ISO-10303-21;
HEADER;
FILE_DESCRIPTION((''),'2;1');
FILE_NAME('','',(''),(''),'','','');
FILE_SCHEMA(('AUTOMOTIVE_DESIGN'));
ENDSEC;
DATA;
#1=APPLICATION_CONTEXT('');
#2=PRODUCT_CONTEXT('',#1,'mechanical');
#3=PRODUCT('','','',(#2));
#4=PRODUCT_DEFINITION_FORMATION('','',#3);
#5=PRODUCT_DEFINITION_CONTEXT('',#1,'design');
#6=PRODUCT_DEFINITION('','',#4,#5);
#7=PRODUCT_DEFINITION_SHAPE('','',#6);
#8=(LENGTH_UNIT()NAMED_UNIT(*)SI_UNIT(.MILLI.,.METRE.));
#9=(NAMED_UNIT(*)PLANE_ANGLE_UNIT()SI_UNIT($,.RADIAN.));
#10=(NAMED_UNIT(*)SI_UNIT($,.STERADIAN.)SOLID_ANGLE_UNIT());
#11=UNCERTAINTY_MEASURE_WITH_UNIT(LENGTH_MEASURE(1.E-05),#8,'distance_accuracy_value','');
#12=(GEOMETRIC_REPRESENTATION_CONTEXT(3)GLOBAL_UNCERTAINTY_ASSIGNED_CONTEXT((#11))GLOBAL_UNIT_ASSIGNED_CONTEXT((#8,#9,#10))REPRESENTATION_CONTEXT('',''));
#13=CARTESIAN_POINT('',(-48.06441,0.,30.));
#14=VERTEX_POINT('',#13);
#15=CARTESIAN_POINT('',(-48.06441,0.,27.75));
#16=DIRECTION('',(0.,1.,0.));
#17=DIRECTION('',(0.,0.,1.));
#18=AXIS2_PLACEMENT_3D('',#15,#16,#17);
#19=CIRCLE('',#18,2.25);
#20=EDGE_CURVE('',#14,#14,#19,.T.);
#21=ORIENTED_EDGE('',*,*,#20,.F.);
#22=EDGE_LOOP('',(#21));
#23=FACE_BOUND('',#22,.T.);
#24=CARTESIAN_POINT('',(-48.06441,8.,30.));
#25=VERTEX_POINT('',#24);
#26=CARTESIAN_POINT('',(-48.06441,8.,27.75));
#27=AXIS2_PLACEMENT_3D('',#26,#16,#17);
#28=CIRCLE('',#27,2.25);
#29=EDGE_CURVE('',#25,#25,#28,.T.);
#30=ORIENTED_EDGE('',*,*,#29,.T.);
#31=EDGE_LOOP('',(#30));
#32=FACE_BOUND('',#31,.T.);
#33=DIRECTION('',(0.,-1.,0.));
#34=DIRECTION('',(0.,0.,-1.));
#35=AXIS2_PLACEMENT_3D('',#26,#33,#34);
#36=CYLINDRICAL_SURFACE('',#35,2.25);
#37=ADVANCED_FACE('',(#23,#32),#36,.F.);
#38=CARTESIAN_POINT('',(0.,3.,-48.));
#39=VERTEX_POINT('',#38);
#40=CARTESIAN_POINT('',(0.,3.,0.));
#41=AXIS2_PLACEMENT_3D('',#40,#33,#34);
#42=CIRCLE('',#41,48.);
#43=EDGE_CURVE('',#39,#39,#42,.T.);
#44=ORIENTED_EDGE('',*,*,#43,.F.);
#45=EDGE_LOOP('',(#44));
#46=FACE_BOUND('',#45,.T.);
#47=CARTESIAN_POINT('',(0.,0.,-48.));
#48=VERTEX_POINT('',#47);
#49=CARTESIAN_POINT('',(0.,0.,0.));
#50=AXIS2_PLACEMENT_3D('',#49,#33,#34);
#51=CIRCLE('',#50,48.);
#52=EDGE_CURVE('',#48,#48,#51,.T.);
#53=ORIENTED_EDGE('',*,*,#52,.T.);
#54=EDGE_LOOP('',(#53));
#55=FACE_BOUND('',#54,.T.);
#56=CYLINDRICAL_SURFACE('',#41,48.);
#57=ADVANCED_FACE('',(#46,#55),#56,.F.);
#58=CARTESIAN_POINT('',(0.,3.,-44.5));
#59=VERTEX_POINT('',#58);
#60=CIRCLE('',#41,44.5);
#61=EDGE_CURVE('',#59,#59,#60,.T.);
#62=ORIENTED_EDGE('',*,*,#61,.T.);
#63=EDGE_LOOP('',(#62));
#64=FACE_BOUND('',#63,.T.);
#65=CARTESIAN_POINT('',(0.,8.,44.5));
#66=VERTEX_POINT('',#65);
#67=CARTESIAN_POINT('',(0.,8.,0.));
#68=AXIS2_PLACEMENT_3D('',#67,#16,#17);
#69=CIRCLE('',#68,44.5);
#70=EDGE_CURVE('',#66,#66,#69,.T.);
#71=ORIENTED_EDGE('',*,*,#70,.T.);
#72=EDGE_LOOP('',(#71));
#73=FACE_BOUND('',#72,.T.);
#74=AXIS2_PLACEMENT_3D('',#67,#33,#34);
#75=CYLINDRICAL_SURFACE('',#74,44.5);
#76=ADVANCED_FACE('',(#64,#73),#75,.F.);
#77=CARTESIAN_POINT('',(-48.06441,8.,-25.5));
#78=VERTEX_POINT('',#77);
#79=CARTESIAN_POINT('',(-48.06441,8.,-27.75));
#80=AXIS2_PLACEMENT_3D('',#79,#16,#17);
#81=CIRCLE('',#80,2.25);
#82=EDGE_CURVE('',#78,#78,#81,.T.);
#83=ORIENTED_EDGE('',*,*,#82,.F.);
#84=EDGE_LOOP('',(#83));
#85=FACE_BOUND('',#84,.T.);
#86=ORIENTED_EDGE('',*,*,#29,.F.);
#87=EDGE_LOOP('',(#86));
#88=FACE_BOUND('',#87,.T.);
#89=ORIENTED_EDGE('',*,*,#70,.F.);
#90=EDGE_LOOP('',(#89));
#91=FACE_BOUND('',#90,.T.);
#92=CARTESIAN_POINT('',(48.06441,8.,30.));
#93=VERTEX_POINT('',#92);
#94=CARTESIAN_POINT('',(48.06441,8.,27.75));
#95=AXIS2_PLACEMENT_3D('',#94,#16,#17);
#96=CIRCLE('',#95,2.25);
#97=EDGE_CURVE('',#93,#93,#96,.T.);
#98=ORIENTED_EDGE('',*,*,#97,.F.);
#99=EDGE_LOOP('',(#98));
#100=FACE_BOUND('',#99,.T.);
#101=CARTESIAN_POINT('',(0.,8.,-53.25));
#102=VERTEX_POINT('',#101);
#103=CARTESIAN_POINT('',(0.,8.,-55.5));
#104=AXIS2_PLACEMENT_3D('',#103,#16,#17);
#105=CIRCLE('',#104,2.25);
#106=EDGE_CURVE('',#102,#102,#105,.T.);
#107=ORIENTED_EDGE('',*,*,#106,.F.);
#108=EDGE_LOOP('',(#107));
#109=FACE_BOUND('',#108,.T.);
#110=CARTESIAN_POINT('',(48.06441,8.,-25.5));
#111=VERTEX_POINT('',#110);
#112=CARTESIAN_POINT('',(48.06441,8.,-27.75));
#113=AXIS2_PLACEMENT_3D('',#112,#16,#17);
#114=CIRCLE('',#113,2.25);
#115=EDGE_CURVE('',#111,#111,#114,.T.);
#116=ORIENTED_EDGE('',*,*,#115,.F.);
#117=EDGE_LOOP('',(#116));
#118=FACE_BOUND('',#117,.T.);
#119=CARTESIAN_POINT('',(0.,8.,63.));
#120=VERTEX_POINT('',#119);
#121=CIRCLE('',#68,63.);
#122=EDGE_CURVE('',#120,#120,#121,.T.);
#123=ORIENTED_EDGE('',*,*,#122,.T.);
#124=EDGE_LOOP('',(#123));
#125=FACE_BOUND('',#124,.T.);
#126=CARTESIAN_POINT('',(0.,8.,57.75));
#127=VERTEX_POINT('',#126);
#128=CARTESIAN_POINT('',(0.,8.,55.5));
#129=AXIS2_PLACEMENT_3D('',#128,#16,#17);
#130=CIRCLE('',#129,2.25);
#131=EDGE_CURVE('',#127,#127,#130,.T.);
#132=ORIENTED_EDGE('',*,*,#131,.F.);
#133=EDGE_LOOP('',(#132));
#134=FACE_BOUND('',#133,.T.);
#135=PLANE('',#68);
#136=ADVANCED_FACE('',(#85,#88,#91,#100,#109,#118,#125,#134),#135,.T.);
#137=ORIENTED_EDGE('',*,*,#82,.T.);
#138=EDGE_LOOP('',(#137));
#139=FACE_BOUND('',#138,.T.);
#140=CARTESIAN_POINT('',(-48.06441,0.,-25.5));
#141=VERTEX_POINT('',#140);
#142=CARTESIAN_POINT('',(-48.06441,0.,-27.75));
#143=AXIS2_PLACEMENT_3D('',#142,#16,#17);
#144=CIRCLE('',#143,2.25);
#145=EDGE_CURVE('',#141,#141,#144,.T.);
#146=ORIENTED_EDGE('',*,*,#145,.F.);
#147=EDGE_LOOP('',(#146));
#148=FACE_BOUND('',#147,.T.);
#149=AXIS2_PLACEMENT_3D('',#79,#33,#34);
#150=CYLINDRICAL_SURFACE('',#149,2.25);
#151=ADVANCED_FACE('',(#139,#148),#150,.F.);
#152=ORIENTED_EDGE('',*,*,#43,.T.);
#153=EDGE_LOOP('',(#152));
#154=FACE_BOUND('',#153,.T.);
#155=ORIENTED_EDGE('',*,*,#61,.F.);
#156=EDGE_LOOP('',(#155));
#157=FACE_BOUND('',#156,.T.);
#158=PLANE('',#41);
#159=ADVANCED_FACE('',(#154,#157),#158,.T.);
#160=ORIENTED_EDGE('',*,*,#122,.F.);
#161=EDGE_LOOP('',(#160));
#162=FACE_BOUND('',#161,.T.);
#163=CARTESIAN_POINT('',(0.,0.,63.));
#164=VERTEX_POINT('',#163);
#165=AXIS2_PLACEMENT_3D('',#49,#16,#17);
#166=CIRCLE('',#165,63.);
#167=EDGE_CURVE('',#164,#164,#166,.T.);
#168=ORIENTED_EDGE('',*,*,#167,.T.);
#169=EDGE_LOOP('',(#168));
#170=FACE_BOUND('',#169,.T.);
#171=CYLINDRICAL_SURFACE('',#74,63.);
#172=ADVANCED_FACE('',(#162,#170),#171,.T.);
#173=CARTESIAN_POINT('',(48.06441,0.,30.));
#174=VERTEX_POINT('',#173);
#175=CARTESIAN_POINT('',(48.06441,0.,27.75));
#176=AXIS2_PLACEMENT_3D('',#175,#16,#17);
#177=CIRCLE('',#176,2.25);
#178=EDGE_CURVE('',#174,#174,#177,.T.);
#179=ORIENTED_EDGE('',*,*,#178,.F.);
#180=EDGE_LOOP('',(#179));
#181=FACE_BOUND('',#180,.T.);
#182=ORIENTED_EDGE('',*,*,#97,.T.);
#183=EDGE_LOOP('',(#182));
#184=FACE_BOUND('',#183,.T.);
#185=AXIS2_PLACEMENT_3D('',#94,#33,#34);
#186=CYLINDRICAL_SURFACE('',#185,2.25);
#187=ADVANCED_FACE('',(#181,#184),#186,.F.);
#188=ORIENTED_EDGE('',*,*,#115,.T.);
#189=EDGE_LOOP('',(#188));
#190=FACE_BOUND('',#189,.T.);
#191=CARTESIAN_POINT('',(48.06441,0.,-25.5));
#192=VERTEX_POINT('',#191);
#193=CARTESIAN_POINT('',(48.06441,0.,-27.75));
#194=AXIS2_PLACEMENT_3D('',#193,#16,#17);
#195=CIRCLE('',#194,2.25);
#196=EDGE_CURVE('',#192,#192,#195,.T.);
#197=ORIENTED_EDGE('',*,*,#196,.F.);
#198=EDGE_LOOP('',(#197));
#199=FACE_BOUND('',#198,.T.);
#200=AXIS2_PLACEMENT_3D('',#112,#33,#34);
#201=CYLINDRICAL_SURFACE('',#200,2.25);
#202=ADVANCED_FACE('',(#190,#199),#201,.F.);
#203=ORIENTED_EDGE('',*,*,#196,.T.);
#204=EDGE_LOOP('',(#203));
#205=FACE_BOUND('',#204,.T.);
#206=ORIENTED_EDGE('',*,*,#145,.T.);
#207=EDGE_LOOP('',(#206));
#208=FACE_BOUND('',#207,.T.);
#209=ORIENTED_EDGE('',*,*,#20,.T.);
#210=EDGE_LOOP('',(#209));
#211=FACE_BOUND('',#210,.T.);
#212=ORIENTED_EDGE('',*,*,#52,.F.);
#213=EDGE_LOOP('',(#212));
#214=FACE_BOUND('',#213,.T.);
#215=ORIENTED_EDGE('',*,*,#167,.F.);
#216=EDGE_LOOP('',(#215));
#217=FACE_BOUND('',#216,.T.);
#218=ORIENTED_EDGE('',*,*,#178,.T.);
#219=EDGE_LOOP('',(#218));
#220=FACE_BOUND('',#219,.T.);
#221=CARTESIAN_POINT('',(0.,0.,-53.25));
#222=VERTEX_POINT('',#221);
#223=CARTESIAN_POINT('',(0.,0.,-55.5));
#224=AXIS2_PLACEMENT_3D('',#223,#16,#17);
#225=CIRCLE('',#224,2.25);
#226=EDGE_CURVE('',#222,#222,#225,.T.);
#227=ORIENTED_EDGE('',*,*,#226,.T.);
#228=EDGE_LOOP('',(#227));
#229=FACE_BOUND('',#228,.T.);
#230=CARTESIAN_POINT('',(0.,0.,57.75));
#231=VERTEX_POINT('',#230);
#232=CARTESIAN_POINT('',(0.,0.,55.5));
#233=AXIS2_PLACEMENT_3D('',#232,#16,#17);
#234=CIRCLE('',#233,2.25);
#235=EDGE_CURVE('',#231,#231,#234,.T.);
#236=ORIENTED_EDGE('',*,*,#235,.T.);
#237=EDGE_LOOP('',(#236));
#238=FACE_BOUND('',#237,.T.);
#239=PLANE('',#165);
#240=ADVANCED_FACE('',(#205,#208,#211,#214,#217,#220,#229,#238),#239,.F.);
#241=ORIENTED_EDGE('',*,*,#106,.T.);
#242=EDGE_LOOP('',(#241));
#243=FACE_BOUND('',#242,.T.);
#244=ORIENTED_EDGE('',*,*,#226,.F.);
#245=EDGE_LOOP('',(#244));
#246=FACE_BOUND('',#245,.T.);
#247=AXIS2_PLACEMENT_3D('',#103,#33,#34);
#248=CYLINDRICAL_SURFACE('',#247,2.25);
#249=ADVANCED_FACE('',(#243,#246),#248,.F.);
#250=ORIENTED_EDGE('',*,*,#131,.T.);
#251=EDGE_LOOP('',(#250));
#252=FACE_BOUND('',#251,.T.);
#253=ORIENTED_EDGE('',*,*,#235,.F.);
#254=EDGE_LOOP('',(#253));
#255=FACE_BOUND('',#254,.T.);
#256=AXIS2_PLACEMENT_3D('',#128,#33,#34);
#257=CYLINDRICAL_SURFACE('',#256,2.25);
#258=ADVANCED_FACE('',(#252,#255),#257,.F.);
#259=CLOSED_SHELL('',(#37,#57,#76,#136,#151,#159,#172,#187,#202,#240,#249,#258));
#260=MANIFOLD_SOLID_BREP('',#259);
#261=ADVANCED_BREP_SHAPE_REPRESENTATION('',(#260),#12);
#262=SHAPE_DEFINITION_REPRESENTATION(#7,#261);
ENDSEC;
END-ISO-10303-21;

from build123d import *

# Parameters (mm, degrees)
CROQUIS1_R              = 63
CROQUIS1_R_2            = 44.5
CROQUIS1_R_3            = 2.25
SALIENTE_EXTRUIR1_DEPTH = 8
CROQUIS2_R              = 48
CORTAR_EXTRUIR1_DEPTH   = 3


with BuildPart() as part:
    # Croquis1 → Saliente-Extruir1 (new body)
    with BuildSketch(Plane(origin=(0, 0, 0), x_dir=(1, 0, 0), z_dir=(0, 1, 0))):
        with Locations(Location((0, 0, 0), (0, 0, 270))):
            Circle(CROQUIS1_R)
        with Locations(Location((0, 0, 0), (0, 0, 270))):
            Circle(CROQUIS1_R_2, mode=Mode.SUBTRACT)
        with Locations(Location((0, 55.5, 0), (0, 0, 270))):
            Circle(CROQUIS1_R_3, mode=Mode.SUBTRACT)
        with Locations(Location((48.06440991, 27.75, 0), (0, 0, 270))):
            Circle(CROQUIS1_R_3, mode=Mode.SUBTRACT)
        with Locations(Location((48.06440991, -27.75, 0), (0, 0, 270))):
            Circle(CROQUIS1_R_3, mode=Mode.SUBTRACT)
        with Locations(Location((0, -55.5, 0), (0, 0, 270))):
            Circle(CROQUIS1_R_3, mode=Mode.SUBTRACT)
        with Locations(Location((-48.06440991, -27.75, 0), (0, 0, 270))):
            Circle(CROQUIS1_R_3, mode=Mode.SUBTRACT)
        with Locations(Location((-48.06440991, 27.75, 0), (0, 0, 270))):
            Circle(CROQUIS1_R_3, mode=Mode.SUBTRACT)
    extrude(amount=SALIENTE_EXTRUIR1_DEPTH)

    # Croquis2 → Cortar-Extruir1 (cut)
    with BuildSketch(Plane.XZ):
        with Locations(Location((0, 0, 0), (0, 0, 270))):
            Circle(CROQUIS2_R)
    extrude(amount=-CORTAR_EXTRUIR1_DEPTH, mode=Mode.SUBTRACT)


solid = part.part
